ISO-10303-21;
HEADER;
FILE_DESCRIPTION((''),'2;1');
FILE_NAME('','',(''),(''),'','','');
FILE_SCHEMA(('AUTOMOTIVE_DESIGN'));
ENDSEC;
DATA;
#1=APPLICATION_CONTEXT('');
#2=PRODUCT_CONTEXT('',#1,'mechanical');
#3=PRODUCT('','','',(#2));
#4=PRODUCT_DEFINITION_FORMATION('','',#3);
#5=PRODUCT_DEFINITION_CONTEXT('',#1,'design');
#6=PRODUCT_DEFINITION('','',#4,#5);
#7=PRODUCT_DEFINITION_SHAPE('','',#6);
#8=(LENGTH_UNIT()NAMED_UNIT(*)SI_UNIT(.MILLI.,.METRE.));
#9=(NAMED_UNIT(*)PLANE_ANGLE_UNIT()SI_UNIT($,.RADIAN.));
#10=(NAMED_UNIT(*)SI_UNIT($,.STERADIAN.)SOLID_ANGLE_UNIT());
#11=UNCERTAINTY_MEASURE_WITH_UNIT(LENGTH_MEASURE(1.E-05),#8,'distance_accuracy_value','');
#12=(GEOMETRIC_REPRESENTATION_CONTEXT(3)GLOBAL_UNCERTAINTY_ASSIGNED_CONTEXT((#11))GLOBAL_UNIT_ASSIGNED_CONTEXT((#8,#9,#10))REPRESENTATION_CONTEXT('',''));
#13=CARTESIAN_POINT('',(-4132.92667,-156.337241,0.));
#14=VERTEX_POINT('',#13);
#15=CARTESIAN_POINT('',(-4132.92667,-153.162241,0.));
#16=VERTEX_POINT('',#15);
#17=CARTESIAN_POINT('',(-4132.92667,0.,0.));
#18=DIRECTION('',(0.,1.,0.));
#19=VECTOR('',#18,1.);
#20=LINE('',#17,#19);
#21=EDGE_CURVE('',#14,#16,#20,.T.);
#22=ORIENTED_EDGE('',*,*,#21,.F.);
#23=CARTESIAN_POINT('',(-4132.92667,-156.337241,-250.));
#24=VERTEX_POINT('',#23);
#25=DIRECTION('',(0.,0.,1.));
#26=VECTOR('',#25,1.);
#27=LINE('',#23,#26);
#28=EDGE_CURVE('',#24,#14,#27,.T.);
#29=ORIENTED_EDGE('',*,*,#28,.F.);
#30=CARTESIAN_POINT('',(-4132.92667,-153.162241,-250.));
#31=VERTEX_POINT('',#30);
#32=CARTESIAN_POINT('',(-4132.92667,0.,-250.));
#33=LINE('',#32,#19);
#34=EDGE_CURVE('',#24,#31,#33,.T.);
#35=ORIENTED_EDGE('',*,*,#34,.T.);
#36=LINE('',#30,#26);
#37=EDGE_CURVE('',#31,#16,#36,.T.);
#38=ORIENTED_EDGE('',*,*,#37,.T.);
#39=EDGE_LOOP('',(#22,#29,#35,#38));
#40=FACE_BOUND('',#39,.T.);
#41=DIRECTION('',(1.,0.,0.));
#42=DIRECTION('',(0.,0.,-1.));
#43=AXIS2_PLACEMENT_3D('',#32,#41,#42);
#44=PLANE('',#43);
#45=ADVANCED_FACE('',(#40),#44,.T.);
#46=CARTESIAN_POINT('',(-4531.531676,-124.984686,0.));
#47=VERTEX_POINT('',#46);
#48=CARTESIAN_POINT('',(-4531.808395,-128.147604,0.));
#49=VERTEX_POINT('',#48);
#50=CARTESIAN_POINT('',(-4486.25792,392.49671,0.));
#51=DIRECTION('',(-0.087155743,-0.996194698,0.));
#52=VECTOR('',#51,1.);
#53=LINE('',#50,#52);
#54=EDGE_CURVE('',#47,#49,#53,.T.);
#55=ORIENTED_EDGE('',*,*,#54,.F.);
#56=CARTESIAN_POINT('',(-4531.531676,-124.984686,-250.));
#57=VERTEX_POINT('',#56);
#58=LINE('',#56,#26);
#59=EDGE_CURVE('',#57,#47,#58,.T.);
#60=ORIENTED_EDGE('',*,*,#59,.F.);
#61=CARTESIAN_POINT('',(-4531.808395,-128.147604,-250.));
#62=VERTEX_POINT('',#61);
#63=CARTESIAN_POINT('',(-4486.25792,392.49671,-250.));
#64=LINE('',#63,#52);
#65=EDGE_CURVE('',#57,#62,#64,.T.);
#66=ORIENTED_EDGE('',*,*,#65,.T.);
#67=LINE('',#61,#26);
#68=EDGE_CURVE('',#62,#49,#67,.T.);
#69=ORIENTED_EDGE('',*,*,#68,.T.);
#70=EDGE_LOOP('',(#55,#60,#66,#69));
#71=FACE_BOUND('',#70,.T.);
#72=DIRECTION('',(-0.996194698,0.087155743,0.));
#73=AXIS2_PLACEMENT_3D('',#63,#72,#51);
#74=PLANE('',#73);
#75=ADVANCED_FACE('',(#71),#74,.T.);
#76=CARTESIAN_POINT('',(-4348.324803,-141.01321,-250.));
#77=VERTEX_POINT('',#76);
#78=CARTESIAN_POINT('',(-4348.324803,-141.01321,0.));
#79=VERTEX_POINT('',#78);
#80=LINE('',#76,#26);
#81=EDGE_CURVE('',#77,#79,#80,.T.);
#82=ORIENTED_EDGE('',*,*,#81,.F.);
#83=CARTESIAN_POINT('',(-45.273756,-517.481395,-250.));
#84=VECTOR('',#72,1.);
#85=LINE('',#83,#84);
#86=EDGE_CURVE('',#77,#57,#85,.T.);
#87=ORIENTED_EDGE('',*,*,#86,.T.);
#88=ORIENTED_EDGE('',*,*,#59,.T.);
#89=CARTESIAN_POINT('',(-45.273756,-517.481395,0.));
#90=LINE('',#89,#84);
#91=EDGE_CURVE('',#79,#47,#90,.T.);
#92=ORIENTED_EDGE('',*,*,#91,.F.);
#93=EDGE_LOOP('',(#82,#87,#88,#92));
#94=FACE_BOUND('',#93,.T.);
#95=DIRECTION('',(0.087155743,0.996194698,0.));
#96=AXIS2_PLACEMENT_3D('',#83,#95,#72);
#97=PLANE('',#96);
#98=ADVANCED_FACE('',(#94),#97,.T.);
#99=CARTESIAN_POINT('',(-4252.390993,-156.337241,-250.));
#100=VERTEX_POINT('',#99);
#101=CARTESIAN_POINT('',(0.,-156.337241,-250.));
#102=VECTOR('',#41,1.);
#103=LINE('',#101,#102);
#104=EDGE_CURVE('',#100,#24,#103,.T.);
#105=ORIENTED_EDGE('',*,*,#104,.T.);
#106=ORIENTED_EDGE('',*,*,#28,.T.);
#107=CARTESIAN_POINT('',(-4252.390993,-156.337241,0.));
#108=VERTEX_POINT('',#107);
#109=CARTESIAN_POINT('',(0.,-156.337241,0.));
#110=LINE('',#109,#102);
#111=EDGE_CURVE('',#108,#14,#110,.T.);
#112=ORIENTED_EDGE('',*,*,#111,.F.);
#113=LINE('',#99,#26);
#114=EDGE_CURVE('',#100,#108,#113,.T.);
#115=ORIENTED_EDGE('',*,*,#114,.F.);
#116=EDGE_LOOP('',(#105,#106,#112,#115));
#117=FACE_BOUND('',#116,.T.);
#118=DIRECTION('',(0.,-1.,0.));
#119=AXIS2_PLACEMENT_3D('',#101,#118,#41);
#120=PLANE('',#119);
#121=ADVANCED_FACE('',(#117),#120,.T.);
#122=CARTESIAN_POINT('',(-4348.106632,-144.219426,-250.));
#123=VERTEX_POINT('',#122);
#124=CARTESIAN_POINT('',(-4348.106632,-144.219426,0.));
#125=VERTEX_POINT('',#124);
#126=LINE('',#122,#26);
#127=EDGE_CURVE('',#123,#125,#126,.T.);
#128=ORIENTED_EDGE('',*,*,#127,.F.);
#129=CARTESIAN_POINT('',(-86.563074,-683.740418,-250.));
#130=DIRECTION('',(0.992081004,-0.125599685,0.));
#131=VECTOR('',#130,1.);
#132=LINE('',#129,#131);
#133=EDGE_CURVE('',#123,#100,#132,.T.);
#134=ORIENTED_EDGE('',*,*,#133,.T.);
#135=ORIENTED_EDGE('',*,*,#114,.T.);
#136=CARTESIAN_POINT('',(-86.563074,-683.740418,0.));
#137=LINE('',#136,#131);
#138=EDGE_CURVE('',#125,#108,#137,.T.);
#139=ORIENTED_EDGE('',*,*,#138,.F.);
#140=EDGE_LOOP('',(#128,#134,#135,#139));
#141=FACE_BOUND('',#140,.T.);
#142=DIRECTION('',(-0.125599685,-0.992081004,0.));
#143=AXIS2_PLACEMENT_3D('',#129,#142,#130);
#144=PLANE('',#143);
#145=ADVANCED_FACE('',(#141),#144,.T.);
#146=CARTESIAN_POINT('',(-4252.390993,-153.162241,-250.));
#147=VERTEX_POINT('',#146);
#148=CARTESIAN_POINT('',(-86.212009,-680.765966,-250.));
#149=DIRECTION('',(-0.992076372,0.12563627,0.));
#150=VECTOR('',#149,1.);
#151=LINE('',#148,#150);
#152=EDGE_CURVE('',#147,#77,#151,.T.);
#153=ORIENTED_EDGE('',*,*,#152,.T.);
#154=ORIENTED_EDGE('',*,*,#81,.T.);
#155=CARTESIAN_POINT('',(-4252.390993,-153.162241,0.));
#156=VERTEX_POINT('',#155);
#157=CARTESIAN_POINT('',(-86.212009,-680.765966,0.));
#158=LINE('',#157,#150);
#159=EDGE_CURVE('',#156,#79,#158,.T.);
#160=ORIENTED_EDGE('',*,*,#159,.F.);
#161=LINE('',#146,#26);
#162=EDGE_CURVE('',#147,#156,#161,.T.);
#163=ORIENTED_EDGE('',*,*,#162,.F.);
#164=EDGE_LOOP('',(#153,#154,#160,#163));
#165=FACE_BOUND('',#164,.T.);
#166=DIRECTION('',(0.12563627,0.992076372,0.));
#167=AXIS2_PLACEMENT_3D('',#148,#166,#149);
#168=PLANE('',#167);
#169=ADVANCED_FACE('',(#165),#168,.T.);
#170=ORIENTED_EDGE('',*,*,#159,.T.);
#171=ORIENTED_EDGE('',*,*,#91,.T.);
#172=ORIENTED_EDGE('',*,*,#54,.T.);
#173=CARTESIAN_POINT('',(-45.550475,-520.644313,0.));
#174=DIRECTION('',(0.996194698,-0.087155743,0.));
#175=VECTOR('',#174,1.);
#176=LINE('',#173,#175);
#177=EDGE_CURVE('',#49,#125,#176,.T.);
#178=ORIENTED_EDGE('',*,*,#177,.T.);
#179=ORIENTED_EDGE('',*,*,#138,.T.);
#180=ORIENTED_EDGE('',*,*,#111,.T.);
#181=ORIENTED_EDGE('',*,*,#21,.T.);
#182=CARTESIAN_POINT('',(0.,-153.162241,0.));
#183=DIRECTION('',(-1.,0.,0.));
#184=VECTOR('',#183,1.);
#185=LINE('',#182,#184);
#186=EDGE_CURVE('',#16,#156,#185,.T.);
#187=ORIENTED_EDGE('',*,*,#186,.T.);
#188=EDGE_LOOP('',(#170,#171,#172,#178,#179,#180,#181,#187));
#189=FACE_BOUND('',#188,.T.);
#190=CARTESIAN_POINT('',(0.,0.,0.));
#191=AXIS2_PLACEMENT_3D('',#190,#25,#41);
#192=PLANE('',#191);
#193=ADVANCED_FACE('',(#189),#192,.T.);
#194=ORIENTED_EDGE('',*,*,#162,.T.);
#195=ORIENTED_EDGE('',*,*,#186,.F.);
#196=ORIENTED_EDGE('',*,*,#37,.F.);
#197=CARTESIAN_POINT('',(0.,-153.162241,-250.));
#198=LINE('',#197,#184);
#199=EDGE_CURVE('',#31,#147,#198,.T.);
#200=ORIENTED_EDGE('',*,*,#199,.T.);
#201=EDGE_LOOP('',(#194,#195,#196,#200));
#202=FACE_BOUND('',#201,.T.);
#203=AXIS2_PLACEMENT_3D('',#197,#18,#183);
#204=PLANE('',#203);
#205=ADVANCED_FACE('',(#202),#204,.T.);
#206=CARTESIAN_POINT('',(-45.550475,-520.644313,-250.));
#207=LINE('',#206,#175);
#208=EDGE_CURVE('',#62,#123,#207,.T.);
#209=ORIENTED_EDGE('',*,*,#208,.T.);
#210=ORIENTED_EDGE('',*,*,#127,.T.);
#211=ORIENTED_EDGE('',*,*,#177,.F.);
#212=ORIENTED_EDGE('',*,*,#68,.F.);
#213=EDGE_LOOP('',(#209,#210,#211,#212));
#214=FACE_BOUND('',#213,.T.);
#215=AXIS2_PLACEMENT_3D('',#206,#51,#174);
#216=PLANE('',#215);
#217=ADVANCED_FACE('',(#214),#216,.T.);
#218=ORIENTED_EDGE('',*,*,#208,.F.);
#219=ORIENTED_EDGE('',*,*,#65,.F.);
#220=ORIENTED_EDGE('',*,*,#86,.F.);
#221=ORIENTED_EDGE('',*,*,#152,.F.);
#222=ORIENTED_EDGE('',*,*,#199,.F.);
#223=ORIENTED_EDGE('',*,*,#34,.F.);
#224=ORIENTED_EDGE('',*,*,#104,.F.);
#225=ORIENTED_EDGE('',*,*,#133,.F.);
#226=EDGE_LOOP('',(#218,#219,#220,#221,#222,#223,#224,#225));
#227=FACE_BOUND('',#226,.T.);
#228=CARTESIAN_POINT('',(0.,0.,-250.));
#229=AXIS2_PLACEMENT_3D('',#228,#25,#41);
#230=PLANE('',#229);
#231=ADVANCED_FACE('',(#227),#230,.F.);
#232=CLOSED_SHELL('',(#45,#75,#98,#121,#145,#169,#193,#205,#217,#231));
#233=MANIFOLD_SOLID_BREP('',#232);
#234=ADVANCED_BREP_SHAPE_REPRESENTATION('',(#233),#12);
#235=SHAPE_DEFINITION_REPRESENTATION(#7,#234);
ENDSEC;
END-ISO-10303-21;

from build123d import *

# Parameters (mm, degrees)
SKETCH1_W           = 119.46432313
SKETCH1_H           = 3.175
BOSS_EXTRUDE1_DEPTH = 250


with BuildPart() as part:
    # Sketch1 → Boss-Extrude1 (new body)
    with BuildSketch(Plane.XY):
        Polygon((-4531.808395064, -128.147603784), (-4348.106631906, -144.21942553), (-4252.390993124, -156.337240533), (-4252.390993124, -153.162240533), (-4348.324803087, -141.01321004), (-4531.531675581, -124.984685617), align=None)
        with Locations((-4192.658831559, -154.749740533)):
            Rectangle(SKETCH1_W, SKETCH1_H)
    extrude(amount=-BOSS_EXTRUDE1_DEPTH)


solid = part.part
